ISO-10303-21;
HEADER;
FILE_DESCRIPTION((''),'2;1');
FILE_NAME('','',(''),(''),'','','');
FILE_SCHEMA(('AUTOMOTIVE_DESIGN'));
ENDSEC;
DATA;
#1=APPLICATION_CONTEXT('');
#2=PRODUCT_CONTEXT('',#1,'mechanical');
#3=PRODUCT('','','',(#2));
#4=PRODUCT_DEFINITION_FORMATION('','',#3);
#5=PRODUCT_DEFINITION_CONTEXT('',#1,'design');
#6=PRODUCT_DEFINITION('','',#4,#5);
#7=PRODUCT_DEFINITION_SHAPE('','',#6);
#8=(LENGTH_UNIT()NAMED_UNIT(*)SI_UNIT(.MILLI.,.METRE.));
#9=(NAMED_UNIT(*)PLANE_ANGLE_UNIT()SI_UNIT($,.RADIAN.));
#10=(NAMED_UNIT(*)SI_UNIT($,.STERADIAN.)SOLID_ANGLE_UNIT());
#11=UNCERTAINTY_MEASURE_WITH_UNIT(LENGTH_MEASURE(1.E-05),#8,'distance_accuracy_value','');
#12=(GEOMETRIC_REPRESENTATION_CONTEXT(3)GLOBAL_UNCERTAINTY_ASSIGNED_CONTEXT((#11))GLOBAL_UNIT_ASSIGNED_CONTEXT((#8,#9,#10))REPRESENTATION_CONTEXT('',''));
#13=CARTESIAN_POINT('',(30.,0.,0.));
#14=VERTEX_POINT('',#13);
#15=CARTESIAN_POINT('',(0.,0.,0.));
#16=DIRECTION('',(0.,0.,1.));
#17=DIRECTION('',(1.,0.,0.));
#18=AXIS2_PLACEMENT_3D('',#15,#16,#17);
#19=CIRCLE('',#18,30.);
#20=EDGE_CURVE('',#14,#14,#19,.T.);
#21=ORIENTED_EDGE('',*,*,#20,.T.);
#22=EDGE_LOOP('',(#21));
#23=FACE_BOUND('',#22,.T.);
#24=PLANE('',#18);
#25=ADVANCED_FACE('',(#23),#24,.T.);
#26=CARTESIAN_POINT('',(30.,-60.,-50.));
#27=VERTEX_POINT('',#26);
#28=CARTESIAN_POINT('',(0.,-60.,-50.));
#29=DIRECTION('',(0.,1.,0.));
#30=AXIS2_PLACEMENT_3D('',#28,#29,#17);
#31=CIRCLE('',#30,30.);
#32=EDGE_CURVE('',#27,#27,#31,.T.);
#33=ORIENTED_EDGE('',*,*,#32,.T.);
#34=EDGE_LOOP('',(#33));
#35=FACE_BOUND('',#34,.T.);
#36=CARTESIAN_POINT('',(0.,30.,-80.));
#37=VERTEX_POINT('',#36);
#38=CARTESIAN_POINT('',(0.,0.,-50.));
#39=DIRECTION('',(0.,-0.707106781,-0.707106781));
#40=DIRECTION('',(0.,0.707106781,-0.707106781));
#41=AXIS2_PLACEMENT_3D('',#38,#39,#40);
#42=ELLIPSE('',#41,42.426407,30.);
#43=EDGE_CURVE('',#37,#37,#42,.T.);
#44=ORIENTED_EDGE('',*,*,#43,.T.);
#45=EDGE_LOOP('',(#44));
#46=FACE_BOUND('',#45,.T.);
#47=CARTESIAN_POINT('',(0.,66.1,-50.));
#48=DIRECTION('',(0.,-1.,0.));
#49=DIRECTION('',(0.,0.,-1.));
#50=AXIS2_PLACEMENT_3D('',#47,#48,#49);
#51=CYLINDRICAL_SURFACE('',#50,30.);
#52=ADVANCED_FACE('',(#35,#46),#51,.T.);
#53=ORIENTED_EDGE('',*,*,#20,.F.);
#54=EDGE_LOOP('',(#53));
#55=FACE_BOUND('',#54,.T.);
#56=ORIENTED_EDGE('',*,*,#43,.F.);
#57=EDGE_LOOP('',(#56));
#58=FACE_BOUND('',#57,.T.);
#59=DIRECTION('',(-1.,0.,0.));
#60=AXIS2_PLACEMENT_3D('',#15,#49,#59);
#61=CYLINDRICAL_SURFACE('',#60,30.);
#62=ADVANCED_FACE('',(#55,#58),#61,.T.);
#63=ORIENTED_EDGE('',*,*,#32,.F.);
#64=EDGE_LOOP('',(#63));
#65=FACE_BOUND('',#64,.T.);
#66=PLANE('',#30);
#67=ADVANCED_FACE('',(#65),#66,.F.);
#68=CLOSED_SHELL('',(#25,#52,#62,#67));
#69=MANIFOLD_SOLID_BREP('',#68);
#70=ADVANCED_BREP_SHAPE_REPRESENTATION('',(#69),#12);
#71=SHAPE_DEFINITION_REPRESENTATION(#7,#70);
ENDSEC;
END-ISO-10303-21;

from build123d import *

# Parameters (mm, degrees)
SKETCH3_R = 30


with BuildPart() as part:
    # Sweep1: sweep along a path in Sketch1
    with BuildLine(Plane(origin=(0, 0, 0), x_dir=(0, 0, -1), z_dir=(1, 0, 0))) as sweep1_path:
        Line((0, 0), (50, 0))
        Line((50, 0), (50, -60))
    # Sketch3 → Sweep1 (sweep)
    with BuildSketch(Plane.XY):
        Circle(SKETCH3_R)
    sweep(path=sweep1_path.line, transition=Transition.RIGHT)


solid = part.part
